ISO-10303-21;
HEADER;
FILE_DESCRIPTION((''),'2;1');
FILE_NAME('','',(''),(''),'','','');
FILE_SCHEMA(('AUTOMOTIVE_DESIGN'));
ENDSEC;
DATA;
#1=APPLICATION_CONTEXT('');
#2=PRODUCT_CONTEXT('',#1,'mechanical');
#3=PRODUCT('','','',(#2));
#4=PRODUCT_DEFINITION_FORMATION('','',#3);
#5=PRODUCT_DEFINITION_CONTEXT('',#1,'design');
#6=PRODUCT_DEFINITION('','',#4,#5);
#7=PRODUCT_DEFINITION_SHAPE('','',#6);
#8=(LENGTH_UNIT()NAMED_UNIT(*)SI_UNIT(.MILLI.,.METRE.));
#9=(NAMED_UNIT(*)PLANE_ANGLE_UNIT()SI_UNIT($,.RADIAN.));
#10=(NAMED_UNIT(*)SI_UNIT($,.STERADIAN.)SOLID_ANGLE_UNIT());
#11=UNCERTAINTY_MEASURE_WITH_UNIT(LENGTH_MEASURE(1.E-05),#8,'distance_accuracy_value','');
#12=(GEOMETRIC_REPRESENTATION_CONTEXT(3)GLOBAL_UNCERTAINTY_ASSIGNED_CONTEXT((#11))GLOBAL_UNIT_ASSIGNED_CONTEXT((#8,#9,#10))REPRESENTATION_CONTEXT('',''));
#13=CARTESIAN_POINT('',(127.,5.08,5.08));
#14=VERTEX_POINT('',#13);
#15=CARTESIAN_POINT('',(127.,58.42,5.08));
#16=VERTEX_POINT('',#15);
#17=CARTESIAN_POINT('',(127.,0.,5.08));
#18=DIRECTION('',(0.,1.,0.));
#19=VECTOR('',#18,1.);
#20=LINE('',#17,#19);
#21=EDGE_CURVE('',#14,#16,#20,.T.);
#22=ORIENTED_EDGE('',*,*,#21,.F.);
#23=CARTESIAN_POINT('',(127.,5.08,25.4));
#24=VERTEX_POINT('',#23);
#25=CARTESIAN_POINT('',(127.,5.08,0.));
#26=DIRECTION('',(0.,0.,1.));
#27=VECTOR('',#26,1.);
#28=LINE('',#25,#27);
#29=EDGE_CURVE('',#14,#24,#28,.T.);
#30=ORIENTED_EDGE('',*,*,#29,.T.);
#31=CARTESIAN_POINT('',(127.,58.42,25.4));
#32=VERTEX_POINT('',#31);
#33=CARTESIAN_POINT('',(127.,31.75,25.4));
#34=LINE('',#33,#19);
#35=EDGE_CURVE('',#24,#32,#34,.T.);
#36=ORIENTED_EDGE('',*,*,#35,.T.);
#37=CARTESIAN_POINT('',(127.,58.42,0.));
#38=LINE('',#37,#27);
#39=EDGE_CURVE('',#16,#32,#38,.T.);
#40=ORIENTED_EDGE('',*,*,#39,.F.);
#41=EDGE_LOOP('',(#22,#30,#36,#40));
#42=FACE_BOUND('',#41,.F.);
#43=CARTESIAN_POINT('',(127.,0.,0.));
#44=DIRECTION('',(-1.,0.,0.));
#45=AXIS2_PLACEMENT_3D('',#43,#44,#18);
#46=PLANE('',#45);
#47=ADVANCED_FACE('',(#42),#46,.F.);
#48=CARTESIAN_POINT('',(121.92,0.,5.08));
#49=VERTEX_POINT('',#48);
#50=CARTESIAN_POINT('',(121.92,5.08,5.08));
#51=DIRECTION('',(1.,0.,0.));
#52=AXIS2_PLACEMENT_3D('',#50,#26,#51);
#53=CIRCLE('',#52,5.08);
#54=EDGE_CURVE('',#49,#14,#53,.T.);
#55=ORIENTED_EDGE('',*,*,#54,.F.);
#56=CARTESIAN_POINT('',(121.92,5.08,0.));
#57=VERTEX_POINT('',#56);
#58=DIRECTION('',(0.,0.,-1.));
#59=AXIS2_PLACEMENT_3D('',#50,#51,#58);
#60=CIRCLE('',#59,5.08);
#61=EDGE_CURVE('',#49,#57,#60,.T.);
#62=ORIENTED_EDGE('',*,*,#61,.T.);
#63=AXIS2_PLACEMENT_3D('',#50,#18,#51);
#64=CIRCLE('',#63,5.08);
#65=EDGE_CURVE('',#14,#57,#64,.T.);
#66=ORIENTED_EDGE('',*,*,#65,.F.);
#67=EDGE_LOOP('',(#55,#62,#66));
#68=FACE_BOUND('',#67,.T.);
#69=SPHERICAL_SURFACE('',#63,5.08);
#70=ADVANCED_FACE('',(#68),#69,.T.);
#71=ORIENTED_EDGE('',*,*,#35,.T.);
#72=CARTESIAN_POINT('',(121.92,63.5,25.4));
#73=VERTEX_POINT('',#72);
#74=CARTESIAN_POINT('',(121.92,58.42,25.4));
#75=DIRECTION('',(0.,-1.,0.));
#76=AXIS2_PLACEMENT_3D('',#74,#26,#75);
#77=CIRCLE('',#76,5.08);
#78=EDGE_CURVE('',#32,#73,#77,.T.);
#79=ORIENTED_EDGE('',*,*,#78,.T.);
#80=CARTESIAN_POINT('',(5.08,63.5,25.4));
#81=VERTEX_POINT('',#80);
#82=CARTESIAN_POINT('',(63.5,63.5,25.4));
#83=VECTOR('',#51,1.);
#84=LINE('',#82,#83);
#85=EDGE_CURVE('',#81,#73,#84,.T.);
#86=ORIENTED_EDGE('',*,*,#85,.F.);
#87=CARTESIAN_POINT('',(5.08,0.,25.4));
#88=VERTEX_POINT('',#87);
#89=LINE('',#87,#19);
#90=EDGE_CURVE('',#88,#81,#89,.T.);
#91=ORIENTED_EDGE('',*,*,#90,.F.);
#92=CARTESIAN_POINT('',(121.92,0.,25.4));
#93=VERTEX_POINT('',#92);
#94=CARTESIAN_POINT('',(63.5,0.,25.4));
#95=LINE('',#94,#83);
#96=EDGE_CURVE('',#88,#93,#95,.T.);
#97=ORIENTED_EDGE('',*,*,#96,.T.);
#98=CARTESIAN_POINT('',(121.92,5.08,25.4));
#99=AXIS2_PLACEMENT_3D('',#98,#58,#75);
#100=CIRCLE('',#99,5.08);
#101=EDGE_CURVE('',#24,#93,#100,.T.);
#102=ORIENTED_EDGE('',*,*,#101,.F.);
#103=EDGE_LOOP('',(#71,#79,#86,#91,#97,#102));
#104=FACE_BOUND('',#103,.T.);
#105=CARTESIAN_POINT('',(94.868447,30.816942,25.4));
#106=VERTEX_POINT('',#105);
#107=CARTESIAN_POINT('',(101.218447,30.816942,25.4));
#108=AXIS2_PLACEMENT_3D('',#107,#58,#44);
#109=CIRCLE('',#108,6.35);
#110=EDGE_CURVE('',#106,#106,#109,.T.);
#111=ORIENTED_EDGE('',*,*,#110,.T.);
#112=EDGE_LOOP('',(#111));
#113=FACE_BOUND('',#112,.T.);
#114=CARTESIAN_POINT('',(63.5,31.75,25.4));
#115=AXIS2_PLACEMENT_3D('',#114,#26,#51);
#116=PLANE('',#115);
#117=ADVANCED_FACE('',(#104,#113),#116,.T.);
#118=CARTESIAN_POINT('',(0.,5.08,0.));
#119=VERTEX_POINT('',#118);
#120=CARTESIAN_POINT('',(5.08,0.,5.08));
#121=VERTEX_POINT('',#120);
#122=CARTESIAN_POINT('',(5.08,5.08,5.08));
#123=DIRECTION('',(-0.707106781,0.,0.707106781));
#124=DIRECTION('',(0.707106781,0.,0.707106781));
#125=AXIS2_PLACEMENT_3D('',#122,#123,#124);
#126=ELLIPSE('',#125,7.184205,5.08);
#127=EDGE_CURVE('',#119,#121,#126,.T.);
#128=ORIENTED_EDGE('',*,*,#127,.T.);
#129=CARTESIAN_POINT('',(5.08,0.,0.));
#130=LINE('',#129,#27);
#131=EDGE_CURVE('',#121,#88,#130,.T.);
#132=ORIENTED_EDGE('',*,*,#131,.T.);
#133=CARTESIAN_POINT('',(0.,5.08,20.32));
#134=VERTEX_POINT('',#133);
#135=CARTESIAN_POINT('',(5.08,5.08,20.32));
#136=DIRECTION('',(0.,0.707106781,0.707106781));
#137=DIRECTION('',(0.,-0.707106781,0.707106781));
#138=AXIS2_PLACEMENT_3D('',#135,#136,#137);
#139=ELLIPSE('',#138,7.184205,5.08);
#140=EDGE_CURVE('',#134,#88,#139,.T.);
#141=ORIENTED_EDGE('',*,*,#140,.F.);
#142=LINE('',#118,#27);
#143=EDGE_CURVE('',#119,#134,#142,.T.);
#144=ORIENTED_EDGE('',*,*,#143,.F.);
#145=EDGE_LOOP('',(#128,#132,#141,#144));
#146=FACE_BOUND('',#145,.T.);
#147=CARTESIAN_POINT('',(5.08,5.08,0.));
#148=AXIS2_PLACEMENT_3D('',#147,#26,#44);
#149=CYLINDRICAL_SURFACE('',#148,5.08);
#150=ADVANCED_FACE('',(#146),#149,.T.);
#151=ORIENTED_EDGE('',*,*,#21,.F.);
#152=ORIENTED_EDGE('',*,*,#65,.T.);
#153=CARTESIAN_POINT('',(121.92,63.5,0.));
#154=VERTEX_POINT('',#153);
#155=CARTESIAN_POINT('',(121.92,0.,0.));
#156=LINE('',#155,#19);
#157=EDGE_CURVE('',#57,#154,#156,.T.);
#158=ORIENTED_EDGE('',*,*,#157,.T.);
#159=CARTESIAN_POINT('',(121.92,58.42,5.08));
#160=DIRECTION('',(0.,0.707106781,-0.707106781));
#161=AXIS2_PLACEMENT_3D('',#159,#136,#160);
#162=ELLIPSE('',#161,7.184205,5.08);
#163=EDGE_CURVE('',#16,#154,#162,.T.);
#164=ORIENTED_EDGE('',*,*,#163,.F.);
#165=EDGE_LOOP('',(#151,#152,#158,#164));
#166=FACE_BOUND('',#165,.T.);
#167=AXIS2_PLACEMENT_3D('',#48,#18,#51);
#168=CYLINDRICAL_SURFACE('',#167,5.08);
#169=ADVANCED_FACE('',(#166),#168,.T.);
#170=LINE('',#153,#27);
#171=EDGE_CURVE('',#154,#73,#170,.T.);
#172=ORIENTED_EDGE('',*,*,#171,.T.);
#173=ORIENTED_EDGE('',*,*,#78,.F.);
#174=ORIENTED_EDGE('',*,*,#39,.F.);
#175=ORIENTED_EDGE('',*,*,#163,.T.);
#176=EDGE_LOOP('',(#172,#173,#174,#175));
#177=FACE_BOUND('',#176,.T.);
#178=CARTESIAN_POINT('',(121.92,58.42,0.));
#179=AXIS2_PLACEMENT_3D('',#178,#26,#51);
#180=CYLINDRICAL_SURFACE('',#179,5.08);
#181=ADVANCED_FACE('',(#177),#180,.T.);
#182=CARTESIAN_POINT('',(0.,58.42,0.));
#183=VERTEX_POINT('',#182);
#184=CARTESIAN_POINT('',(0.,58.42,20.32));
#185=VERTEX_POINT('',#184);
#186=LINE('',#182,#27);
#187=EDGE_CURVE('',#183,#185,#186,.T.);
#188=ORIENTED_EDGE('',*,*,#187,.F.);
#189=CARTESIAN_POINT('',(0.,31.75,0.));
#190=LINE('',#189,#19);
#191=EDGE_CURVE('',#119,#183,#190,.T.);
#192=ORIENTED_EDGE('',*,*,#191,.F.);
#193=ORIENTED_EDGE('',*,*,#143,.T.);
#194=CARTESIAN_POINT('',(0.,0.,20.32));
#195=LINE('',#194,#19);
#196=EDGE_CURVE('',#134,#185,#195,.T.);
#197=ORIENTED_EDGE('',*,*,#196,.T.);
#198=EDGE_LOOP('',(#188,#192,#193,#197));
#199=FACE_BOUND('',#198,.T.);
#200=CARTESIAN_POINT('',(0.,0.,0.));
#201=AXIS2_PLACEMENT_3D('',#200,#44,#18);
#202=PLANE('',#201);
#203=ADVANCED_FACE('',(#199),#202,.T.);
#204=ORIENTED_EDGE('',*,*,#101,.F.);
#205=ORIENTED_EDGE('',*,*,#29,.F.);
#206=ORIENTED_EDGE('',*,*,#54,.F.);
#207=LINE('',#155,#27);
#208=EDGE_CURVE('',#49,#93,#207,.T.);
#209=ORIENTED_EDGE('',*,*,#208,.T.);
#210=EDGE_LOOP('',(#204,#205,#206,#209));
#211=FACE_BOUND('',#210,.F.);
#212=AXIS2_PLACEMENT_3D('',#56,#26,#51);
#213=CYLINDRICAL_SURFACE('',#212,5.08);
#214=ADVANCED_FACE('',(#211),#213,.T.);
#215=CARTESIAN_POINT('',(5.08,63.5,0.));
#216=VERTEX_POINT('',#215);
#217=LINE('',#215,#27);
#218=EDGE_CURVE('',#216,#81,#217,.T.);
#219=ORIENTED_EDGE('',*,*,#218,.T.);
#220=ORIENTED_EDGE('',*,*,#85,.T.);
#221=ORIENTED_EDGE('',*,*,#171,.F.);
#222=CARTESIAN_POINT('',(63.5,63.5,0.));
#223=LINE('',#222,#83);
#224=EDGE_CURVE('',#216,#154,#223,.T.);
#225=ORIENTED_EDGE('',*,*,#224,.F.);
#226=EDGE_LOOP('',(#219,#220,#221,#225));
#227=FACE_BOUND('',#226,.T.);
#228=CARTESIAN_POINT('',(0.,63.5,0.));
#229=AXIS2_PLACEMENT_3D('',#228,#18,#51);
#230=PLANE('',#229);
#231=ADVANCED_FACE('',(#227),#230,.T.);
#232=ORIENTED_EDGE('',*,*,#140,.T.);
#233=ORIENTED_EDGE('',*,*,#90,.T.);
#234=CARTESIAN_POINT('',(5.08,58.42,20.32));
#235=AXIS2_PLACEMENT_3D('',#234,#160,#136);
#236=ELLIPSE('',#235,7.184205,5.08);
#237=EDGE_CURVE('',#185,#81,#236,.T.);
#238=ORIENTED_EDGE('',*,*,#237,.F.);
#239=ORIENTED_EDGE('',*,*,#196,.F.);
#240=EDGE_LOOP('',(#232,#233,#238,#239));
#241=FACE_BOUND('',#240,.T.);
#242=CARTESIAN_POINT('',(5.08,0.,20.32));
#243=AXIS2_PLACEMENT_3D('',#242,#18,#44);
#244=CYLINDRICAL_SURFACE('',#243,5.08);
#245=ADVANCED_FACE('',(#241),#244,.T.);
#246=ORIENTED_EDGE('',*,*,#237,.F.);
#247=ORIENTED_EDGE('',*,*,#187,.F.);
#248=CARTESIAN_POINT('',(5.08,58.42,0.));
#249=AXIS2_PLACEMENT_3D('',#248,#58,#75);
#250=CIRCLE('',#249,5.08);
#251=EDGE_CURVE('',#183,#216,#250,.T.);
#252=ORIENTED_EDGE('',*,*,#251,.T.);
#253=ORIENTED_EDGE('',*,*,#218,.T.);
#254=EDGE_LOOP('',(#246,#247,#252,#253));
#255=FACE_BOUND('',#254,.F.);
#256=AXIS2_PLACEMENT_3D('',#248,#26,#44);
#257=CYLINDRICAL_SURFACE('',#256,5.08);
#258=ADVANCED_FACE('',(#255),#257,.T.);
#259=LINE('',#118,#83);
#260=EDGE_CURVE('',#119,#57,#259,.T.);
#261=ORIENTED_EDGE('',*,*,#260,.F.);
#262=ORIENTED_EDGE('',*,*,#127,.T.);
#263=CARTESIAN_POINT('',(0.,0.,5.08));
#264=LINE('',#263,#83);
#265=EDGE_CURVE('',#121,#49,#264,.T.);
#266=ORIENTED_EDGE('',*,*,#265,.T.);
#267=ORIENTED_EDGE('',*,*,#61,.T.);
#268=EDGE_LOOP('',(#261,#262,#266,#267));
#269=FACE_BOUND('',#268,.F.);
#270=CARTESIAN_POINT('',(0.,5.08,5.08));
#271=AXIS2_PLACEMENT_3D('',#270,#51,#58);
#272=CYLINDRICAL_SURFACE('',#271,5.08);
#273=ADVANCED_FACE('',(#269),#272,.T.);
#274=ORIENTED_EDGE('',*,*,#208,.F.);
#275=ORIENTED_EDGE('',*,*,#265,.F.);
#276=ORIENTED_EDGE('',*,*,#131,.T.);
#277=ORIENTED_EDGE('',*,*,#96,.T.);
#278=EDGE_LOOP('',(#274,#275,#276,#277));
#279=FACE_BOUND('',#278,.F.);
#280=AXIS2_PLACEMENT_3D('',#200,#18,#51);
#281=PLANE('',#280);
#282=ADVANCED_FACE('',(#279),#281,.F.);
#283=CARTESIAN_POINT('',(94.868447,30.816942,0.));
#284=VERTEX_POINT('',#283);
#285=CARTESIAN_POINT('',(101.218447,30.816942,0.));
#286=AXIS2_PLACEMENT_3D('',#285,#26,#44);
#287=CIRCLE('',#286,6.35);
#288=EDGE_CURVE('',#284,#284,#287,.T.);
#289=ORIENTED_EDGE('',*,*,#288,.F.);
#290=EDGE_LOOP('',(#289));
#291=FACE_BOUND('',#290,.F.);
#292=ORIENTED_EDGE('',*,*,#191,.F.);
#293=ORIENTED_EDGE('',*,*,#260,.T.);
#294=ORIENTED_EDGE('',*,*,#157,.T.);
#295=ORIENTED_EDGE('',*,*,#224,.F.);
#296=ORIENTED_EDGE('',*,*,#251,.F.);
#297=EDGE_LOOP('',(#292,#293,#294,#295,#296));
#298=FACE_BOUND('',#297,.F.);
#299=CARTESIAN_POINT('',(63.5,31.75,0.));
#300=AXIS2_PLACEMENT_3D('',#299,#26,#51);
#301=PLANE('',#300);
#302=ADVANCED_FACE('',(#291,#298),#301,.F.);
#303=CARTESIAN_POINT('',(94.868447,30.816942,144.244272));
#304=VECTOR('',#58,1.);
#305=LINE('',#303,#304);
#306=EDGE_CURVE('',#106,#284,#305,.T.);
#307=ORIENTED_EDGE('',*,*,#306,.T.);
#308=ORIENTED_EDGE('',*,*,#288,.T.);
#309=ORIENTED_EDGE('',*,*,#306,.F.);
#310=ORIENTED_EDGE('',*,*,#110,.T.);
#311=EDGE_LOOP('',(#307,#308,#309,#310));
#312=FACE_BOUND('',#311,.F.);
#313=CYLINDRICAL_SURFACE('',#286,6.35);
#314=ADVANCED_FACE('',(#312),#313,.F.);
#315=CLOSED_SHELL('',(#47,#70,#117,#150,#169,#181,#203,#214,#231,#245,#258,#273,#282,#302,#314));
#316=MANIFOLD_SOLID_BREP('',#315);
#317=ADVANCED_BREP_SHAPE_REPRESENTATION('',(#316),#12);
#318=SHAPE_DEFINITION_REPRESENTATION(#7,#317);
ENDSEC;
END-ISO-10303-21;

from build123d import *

# Parameters (mm, degrees)
F0_W           = 127
F0_H           = 63.5
F1_DEPTH       = 25.4
F3_D           = 12.7
F3_CBORE_D     = 12.7
F3_CBORE_DEPTH = 6.35
F4_R           = 5.08


with BuildPart() as f1:
    # F0 (on Top) → F1 (new body)
    with BuildSketch(Plane.XY):
        with Locations((63.5, 31.75)):
            Rectangle(F0_W, F0_H)
    extrude(amount=F1_DEPTH)

    # F3 (through all)
    with Locations(Plane(origin=(0, 0, 0), x_dir=(1, 0, 0), z_dir=(0, 0, -1))):
        with Locations((101.218447, -30.816942)):
            CounterBoreHole(F3_D / 2, F3_CBORE_D / 2, F3_CBORE_DEPTH)

    # F4
    f4_edges = [f1.edges().sort_by_distance(p)[0] for p in [
        (127, 31.75, 0),
        (127, 63.5, 12.7),
        (127, 0, 12.7),
        (63.5, 0, 0),
        (0, 0, 12.7),
        (0, 31.75, 25.4),
        (0, 63.5, 12.7),
    ]]
    fillet(f4_edges, radius=F4_R)


solid = f1.part
